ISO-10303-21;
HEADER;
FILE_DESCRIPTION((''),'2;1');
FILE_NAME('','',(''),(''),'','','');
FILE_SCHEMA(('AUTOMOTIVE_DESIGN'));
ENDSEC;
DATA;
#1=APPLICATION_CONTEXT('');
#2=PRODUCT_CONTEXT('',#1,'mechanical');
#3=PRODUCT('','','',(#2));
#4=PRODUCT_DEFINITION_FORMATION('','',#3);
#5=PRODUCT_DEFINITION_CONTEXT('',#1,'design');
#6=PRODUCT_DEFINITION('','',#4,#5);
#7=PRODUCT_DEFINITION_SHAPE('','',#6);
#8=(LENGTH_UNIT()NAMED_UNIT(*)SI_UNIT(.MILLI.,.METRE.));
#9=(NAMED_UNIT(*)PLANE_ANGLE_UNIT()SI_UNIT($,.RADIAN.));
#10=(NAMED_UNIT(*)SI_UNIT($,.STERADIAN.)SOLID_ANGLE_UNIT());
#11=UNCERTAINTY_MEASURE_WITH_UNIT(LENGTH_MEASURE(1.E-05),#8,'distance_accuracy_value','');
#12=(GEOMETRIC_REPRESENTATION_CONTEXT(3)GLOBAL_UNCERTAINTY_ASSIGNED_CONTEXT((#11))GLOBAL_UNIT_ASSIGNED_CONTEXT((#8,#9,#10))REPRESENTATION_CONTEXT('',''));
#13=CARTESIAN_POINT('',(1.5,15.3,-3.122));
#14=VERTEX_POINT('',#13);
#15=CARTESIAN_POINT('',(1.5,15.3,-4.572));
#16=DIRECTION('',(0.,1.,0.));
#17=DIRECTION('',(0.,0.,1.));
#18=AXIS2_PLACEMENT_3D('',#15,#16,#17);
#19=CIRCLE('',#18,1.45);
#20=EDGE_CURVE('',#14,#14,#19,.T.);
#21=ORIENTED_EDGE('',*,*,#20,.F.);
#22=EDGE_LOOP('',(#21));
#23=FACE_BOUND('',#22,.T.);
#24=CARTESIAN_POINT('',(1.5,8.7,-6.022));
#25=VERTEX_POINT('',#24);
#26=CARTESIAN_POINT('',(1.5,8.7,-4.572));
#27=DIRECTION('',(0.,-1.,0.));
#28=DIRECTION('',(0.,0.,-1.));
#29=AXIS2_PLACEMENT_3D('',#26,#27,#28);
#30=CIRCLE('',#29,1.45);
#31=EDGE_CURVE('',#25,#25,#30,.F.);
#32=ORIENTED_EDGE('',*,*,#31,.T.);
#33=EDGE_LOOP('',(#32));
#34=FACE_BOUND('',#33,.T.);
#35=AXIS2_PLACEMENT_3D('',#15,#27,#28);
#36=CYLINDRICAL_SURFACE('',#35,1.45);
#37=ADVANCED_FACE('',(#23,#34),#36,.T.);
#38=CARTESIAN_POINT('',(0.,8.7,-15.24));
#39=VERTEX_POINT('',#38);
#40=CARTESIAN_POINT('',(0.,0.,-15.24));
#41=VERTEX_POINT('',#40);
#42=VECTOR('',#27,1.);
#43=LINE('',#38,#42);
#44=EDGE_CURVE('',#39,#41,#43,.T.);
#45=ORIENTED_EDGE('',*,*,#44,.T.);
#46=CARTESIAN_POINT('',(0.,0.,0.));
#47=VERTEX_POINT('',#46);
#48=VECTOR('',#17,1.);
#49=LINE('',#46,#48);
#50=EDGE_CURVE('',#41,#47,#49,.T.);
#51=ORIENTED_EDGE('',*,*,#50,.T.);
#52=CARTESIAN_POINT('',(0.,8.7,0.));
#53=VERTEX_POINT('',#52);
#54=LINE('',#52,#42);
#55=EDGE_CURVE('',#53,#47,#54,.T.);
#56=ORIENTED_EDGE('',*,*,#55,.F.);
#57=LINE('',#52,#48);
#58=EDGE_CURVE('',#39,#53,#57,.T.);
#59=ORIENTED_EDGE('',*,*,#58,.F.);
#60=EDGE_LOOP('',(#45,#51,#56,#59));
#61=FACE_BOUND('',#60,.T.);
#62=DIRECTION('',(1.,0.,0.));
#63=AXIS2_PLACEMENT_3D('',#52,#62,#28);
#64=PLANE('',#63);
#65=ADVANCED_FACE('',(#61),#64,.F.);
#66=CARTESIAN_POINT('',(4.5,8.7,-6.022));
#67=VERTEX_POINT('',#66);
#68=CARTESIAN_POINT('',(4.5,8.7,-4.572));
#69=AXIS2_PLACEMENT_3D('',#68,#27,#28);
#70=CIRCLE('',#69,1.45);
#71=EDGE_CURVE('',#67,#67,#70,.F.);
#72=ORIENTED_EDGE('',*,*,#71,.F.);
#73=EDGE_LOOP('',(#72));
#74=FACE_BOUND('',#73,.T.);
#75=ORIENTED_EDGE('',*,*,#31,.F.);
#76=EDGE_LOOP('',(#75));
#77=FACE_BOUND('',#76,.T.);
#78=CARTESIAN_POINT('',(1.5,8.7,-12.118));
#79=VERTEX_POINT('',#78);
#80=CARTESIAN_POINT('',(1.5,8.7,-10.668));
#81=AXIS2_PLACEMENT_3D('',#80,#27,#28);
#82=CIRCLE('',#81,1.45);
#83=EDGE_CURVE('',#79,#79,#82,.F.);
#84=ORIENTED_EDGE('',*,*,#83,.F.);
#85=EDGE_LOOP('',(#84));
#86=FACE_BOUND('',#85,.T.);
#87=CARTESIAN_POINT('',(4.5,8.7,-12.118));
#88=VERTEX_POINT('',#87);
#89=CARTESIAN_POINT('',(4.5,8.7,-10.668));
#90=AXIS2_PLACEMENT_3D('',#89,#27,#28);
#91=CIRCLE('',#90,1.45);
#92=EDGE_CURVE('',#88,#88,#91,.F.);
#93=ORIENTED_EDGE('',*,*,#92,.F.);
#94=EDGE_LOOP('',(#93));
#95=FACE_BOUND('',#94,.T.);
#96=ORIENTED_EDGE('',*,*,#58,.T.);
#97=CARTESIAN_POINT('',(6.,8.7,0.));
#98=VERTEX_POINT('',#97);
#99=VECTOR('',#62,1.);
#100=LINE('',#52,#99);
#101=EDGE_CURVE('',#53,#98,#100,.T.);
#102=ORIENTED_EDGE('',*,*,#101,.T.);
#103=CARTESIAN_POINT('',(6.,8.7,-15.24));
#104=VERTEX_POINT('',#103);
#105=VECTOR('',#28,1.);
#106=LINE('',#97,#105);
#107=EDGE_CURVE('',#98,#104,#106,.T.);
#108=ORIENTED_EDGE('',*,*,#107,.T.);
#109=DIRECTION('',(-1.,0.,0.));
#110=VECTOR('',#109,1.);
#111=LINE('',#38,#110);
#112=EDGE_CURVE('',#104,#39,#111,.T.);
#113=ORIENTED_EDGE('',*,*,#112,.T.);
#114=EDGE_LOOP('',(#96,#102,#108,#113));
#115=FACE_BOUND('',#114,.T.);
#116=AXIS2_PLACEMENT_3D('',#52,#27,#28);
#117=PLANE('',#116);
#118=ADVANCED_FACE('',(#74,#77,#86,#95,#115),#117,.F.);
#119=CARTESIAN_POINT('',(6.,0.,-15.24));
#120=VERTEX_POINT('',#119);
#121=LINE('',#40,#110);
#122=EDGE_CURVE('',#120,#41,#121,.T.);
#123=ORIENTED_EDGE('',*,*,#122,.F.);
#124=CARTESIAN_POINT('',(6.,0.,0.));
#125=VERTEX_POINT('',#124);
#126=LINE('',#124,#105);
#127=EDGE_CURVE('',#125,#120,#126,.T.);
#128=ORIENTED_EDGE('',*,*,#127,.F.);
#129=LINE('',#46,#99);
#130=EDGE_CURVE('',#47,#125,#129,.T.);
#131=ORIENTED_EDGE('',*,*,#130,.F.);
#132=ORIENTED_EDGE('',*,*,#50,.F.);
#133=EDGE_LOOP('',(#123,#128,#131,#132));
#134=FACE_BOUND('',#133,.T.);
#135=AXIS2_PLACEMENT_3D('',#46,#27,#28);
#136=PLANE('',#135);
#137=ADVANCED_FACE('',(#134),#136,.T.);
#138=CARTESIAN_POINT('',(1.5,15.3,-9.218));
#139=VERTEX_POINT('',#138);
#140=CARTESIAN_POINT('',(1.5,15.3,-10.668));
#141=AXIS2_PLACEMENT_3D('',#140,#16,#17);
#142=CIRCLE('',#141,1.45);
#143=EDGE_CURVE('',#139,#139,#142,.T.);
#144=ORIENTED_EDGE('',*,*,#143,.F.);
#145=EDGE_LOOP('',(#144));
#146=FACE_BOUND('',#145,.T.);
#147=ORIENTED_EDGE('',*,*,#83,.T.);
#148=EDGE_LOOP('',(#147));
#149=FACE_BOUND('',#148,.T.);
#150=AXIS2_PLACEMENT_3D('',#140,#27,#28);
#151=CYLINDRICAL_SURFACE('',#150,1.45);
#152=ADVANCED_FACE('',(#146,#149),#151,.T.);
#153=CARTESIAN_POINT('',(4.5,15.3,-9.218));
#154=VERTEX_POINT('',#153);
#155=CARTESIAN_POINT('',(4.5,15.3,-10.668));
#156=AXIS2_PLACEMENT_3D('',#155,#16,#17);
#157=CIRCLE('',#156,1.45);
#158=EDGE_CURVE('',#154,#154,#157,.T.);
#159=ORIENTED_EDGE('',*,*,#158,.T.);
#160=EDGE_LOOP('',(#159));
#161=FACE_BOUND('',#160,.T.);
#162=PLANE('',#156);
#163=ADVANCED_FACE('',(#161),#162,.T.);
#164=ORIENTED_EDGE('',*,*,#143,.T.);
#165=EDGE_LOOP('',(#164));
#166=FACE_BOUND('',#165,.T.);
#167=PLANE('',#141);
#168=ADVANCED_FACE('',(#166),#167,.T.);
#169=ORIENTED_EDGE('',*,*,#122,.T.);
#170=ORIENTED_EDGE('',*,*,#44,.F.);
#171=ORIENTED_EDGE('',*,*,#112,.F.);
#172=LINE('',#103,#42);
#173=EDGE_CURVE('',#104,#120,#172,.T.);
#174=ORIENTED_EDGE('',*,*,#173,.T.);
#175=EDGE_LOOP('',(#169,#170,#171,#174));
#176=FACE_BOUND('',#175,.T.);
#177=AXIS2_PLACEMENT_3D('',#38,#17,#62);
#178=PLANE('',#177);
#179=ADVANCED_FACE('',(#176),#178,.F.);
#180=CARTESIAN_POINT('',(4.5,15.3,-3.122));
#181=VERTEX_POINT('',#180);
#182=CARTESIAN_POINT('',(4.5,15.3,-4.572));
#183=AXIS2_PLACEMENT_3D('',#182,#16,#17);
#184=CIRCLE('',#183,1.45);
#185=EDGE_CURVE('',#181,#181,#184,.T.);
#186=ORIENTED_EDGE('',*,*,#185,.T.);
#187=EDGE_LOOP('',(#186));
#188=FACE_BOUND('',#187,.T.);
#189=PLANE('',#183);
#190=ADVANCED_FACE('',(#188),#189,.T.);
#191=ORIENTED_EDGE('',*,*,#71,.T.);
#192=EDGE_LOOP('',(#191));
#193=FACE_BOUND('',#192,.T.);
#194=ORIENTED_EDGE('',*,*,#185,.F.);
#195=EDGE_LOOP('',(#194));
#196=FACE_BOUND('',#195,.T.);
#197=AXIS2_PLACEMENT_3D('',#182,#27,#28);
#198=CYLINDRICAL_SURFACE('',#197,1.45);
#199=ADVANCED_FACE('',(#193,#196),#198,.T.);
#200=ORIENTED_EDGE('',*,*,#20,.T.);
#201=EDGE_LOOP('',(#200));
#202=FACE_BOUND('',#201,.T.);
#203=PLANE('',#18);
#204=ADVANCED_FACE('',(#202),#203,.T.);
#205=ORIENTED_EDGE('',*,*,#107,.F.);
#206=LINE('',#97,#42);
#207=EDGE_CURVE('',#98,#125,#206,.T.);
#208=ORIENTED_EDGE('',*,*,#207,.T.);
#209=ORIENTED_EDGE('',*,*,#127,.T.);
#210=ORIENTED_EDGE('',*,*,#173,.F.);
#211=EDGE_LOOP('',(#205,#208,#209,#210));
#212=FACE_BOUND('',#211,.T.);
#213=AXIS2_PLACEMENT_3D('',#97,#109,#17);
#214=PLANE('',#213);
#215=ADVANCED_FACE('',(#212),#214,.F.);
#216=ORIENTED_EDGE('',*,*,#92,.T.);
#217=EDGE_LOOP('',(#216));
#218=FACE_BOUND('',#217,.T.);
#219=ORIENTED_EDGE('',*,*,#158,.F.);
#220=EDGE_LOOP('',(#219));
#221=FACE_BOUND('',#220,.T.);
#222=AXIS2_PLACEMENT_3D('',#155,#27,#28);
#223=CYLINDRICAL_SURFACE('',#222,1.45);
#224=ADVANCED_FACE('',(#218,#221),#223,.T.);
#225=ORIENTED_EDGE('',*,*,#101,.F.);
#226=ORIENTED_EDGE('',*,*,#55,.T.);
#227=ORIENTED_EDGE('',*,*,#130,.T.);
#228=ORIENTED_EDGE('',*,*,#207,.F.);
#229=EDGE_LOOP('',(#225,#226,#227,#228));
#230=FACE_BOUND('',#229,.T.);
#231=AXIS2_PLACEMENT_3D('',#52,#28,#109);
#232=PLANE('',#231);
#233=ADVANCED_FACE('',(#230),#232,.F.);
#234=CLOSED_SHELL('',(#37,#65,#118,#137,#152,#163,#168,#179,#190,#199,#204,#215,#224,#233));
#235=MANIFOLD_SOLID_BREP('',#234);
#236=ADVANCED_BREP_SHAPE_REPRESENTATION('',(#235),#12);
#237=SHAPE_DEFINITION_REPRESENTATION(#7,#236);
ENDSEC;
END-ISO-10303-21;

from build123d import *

# Parameters (mm, degrees)
SKETCH1_W           = 6
SKETCH1_H           = 15.24
BOSS_EXTRUDE1_DEPTH = 8.7
SKETCH2_R           = 1.45
BOSS_EXTRUDE2_DEPTH = 6.6


with BuildPart() as part:
    # Sketch1 → Boss-Extrude1 (new body)
    with BuildSketch(Plane(origin=(0, 0, 0), x_dir=(1, 0, 0), z_dir=(0, 1, 0))):
        with Locations((3, 7.62)):
            Rectangle(SKETCH1_W, SKETCH1_H)
    extrude(amount=BOSS_EXTRUDE1_DEPTH)

    # Sketch2 → Boss-Extrude2 (add)
    with BuildSketch(Plane(origin=(0, 8.7, 0), x_dir=(1, 0, 0), z_dir=(0, 1, 0))):
        with Locations(Location((1.5, 10.668, 0), (0, 0, 90))):
            Circle(SKETCH2_R)
        with Locations(Location((1.5, 4.572, 0), (0, 0, 90))):
            Circle(SKETCH2_R)
        with Locations(Location((4.5, 4.572, 0), (0, 0, 90))):
            Circle(SKETCH2_R)
        with Locations(Location((4.5, 10.668, 0), (0, 0, 90))):
            Circle(SKETCH2_R)
    extrude(amount=BOSS_EXTRUDE2_DEPTH)


solid = part.part
